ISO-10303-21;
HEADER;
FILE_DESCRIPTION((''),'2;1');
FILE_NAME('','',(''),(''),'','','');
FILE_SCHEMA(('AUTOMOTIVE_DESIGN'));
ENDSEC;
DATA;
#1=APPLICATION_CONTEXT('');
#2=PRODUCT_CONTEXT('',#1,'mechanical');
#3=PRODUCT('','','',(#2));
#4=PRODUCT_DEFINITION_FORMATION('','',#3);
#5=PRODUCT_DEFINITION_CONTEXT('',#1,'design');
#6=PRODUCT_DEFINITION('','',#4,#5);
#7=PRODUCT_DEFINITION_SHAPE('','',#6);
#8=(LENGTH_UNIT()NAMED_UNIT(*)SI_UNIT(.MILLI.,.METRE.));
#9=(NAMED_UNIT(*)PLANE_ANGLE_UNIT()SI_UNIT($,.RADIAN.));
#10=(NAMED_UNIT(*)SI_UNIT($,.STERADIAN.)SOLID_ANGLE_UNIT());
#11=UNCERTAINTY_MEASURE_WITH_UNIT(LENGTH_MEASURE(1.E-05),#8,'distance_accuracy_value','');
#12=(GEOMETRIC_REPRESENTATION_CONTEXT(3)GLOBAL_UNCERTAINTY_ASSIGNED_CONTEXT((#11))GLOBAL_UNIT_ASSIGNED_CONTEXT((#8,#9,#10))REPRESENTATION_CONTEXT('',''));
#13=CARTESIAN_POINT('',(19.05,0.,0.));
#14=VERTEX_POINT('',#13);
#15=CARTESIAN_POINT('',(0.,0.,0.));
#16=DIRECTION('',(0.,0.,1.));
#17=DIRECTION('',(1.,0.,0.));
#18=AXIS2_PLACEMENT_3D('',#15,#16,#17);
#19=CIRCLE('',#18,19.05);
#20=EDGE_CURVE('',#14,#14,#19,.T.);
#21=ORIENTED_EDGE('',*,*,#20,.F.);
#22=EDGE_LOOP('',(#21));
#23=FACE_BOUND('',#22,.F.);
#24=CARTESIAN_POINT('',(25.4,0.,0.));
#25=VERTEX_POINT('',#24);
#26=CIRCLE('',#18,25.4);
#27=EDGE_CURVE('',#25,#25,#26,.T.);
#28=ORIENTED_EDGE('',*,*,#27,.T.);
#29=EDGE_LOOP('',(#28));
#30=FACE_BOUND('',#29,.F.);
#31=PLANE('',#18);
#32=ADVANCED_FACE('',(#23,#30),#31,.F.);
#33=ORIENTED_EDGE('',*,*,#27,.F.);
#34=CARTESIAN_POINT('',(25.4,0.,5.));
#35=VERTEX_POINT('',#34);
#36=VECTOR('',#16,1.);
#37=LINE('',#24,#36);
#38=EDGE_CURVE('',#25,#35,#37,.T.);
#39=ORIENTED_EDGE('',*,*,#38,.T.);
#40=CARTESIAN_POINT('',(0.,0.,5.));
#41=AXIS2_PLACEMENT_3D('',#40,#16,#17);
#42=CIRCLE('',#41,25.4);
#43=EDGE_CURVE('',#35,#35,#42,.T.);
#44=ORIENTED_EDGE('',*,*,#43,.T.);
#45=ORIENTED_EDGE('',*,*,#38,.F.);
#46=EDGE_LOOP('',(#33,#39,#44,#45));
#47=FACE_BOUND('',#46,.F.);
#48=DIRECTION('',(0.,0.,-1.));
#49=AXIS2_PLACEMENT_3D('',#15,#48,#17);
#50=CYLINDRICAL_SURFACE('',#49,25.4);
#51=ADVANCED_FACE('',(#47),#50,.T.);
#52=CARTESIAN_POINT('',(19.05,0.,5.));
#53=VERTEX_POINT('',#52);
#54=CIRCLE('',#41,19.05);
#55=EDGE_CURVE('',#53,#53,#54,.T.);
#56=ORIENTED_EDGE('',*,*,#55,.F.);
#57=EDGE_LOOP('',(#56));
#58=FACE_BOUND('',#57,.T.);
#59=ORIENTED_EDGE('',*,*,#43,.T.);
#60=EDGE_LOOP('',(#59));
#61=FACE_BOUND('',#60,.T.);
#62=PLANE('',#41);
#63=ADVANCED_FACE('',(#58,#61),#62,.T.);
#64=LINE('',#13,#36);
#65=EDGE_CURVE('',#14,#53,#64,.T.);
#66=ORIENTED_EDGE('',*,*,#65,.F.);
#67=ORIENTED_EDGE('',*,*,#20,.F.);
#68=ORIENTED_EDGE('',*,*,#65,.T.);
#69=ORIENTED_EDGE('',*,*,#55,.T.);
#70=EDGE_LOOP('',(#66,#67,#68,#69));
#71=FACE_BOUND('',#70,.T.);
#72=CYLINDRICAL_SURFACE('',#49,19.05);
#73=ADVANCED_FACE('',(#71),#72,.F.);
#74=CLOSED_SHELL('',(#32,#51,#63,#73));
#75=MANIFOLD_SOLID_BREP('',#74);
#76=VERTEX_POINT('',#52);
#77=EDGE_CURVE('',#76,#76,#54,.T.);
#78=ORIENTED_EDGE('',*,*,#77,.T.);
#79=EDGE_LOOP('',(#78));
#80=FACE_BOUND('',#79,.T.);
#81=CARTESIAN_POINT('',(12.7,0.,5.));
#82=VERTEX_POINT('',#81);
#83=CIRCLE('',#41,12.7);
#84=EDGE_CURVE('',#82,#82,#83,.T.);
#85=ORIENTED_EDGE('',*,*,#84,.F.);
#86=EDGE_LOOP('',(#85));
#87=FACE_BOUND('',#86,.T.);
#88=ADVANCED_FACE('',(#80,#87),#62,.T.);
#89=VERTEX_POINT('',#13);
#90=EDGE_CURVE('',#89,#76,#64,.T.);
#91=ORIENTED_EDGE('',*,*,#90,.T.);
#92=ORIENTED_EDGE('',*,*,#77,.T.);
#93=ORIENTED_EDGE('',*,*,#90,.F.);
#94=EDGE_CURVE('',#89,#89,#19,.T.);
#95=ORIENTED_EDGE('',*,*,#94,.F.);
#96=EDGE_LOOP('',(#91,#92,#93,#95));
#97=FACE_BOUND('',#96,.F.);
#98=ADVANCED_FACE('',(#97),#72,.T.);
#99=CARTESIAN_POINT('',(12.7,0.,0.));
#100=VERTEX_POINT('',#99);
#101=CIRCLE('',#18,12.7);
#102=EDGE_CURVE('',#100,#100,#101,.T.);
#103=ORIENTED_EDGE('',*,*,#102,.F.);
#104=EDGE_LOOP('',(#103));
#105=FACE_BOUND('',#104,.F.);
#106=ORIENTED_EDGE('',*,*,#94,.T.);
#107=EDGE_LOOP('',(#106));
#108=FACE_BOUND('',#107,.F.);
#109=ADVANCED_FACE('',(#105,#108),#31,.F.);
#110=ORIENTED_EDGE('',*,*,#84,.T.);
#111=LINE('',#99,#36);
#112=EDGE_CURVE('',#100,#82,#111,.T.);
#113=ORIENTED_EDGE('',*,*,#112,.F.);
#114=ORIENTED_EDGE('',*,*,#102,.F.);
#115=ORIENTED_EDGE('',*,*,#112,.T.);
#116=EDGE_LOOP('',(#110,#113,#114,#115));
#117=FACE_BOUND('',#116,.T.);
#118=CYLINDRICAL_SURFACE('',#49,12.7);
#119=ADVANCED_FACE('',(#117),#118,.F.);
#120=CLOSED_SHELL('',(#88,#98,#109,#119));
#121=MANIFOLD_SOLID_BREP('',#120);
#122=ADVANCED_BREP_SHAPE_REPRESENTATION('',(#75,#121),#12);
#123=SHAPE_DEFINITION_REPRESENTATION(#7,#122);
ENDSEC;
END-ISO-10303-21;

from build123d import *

# Parameters (mm, degrees)
F0_R     = 25.4
F0_R_2   = 19.05
F1_DEPTH = 5
F0_R_3   = 12.7
F2_DEPTH = 5


with BuildPart() as f1:
    # F0 (on Top) → F1 (new body)
    with BuildSketch(Plane.XY):
        Circle(F0_R)
        Circle(F0_R_2, mode=Mode.SUBTRACT)
    extrude(amount=F1_DEPTH)


with BuildPart() as f2:
    # F0 (on Top) → F2 (new body)
    with BuildSketch(Plane.XY):
        Circle(F0_R_2)
        Circle(F0_R_3, mode=Mode.SUBTRACT)
    extrude(amount=F2_DEPTH)


solid = Compound([f1.part, f2.part])
